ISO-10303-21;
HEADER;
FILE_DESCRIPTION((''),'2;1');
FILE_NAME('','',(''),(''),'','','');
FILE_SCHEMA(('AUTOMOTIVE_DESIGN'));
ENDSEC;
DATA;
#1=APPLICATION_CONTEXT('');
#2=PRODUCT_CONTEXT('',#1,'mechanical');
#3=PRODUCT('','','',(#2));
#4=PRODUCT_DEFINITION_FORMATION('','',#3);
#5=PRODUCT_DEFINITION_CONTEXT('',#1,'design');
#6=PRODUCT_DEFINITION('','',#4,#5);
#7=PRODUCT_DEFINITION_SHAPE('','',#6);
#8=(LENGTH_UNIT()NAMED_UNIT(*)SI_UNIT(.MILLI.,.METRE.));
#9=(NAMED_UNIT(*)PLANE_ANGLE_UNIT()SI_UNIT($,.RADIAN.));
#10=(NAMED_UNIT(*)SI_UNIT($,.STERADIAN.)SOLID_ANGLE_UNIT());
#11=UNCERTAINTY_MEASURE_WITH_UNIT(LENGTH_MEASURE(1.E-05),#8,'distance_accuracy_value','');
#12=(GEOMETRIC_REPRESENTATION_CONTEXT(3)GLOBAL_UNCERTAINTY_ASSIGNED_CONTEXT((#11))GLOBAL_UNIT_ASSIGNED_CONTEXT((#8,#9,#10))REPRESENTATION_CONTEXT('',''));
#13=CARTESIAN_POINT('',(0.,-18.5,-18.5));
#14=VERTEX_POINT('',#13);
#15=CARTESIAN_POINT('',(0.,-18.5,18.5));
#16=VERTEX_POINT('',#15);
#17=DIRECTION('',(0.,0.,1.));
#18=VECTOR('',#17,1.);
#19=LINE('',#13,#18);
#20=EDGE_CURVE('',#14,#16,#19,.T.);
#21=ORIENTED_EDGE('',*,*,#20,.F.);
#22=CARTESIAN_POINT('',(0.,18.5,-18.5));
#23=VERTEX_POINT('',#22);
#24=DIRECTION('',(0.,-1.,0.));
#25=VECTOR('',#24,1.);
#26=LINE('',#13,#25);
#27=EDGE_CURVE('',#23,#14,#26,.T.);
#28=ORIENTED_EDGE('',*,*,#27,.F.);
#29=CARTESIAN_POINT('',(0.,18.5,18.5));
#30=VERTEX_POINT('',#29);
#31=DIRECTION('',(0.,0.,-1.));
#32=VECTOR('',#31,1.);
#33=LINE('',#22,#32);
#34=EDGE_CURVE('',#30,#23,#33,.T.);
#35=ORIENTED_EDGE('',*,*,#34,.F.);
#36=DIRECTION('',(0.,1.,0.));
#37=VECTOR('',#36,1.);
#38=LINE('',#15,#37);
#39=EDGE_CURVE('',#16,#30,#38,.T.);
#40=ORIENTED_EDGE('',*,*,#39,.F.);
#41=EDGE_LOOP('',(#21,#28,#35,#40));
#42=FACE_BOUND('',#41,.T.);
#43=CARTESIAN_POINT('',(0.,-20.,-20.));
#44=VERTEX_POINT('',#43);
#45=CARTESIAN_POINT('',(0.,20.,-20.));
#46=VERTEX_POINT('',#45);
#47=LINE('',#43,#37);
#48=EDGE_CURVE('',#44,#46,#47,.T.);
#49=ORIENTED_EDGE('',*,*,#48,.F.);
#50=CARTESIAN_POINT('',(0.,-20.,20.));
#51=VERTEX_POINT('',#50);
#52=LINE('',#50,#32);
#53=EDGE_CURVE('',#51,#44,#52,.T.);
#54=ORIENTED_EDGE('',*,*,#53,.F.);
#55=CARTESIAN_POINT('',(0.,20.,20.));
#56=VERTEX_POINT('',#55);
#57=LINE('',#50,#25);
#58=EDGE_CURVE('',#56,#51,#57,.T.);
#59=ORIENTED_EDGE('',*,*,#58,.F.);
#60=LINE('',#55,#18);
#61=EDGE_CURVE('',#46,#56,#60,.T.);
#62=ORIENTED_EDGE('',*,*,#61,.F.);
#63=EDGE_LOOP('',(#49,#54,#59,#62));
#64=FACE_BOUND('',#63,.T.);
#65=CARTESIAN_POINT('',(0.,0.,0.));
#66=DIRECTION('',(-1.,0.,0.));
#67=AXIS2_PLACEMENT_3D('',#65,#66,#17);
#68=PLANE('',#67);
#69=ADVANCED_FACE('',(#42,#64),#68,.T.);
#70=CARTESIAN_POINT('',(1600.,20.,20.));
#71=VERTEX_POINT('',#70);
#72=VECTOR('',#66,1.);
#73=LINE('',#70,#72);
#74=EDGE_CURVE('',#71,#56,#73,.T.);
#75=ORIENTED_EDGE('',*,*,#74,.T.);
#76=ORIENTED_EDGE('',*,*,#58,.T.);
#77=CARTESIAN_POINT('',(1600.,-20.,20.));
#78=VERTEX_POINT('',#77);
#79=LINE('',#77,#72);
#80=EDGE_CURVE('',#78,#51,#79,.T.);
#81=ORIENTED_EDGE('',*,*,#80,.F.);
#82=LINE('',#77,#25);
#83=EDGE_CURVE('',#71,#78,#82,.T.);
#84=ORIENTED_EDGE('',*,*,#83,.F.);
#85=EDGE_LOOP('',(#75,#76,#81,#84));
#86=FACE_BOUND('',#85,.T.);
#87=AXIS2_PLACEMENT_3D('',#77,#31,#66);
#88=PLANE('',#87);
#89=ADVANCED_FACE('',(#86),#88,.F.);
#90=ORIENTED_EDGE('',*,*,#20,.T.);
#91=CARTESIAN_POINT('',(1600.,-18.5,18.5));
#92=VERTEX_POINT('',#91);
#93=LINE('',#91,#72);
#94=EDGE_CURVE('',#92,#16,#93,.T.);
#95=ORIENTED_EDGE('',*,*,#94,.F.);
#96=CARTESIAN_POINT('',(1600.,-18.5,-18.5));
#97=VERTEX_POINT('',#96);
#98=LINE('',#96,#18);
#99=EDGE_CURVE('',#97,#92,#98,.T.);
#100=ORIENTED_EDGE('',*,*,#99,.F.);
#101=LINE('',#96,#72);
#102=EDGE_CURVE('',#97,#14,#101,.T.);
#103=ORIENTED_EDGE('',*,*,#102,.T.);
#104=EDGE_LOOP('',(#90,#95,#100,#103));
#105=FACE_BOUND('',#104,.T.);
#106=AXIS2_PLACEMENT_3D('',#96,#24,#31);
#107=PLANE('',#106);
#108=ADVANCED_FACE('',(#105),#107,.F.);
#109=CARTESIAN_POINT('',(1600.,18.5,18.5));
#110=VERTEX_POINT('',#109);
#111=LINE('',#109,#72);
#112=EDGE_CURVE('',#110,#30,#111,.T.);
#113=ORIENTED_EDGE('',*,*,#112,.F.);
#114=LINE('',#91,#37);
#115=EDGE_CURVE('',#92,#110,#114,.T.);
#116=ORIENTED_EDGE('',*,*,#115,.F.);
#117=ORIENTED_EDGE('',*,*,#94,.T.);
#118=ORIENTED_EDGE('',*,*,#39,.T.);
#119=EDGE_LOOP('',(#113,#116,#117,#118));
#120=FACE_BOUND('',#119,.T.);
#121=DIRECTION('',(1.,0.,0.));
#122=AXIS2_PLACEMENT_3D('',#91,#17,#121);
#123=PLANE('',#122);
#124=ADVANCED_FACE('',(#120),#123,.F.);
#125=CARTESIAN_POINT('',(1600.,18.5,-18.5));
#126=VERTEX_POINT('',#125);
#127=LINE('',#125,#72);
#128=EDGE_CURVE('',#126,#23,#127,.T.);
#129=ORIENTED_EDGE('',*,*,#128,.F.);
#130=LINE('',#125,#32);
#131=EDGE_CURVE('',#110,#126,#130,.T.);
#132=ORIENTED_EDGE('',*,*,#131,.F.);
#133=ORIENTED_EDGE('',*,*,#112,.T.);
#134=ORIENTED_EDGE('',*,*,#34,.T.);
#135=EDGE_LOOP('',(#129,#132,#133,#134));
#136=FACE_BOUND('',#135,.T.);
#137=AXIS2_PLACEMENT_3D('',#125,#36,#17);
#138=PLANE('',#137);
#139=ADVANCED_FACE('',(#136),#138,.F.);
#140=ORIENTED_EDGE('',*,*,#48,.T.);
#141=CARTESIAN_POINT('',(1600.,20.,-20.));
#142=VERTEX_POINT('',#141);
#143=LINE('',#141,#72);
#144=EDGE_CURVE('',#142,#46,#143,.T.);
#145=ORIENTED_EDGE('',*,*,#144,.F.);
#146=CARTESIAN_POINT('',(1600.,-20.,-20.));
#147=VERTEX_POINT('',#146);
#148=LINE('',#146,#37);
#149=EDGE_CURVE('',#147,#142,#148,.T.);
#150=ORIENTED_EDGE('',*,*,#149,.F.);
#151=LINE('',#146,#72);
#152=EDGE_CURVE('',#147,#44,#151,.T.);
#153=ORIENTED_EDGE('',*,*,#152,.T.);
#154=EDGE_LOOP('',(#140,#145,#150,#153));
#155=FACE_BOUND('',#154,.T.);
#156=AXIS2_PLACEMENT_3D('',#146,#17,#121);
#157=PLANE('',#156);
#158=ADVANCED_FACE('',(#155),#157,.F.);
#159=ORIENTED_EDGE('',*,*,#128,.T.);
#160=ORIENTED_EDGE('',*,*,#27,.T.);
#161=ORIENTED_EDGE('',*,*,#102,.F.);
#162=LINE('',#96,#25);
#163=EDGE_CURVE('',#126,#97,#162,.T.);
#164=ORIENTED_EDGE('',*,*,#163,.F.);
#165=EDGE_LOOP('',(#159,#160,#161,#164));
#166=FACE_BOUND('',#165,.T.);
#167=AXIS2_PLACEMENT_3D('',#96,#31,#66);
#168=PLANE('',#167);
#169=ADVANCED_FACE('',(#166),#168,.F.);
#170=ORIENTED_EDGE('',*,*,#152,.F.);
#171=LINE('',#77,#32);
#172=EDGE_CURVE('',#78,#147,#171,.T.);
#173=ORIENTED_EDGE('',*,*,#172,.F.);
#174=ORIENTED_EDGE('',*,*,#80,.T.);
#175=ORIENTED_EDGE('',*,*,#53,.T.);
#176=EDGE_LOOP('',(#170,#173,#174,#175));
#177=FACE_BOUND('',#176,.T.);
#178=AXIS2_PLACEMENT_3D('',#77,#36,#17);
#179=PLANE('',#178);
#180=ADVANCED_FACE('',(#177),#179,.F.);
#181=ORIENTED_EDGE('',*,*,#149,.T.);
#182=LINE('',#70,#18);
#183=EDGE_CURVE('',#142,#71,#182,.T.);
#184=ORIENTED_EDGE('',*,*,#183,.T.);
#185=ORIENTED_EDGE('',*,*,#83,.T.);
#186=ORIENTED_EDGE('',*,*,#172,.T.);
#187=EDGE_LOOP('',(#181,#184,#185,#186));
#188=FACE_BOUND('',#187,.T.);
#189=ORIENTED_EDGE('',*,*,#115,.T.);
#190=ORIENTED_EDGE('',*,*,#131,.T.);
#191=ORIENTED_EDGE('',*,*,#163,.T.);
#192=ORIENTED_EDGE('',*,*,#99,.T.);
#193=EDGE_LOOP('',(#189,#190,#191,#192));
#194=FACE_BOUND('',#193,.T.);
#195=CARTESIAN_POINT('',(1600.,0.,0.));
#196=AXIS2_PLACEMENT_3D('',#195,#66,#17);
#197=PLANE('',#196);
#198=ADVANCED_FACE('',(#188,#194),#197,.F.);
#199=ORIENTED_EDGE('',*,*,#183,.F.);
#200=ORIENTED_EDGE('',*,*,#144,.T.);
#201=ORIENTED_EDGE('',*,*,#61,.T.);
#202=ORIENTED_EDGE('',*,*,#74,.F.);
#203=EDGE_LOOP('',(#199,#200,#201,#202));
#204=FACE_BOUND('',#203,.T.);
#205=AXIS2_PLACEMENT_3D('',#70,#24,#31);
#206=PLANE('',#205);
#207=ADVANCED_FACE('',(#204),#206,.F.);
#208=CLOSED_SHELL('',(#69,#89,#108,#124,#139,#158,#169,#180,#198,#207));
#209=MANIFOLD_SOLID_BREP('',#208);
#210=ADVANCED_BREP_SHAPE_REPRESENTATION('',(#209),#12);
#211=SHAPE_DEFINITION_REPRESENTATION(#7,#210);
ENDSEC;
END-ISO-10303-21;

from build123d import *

# Parameters (mm, degrees)
ESBO_O1_W                = 40
ESBO_O1_H                = 40
RESSALTO_EXTRUS_O1_DEPTH = 1600
ESBO_O2_W                = 37
ESBO_O2_H                = 37
CORTE_EXTRUS_O1_DEPTH    = 1601


with BuildPart() as part:
    # Esboço1 → Ressalto-extrusão1 (new body)
    with BuildSketch(Plane(origin=(0, 0, 0), x_dir=(0, 0, -1), z_dir=(1, 0, 0))):
        Rectangle(ESBO_O1_W, ESBO_O1_H)
    extrude(amount=RESSALTO_EXTRUS_O1_DEPTH)

    # Esboço2 → Corte-extrusão1 (cut, through all)
    with BuildSketch(Plane.ZY):
        Rectangle(ESBO_O2_W, ESBO_O2_H)
    extrude(amount=-CORTE_EXTRUS_O1_DEPTH, mode=Mode.SUBTRACT)


solid = part.part
